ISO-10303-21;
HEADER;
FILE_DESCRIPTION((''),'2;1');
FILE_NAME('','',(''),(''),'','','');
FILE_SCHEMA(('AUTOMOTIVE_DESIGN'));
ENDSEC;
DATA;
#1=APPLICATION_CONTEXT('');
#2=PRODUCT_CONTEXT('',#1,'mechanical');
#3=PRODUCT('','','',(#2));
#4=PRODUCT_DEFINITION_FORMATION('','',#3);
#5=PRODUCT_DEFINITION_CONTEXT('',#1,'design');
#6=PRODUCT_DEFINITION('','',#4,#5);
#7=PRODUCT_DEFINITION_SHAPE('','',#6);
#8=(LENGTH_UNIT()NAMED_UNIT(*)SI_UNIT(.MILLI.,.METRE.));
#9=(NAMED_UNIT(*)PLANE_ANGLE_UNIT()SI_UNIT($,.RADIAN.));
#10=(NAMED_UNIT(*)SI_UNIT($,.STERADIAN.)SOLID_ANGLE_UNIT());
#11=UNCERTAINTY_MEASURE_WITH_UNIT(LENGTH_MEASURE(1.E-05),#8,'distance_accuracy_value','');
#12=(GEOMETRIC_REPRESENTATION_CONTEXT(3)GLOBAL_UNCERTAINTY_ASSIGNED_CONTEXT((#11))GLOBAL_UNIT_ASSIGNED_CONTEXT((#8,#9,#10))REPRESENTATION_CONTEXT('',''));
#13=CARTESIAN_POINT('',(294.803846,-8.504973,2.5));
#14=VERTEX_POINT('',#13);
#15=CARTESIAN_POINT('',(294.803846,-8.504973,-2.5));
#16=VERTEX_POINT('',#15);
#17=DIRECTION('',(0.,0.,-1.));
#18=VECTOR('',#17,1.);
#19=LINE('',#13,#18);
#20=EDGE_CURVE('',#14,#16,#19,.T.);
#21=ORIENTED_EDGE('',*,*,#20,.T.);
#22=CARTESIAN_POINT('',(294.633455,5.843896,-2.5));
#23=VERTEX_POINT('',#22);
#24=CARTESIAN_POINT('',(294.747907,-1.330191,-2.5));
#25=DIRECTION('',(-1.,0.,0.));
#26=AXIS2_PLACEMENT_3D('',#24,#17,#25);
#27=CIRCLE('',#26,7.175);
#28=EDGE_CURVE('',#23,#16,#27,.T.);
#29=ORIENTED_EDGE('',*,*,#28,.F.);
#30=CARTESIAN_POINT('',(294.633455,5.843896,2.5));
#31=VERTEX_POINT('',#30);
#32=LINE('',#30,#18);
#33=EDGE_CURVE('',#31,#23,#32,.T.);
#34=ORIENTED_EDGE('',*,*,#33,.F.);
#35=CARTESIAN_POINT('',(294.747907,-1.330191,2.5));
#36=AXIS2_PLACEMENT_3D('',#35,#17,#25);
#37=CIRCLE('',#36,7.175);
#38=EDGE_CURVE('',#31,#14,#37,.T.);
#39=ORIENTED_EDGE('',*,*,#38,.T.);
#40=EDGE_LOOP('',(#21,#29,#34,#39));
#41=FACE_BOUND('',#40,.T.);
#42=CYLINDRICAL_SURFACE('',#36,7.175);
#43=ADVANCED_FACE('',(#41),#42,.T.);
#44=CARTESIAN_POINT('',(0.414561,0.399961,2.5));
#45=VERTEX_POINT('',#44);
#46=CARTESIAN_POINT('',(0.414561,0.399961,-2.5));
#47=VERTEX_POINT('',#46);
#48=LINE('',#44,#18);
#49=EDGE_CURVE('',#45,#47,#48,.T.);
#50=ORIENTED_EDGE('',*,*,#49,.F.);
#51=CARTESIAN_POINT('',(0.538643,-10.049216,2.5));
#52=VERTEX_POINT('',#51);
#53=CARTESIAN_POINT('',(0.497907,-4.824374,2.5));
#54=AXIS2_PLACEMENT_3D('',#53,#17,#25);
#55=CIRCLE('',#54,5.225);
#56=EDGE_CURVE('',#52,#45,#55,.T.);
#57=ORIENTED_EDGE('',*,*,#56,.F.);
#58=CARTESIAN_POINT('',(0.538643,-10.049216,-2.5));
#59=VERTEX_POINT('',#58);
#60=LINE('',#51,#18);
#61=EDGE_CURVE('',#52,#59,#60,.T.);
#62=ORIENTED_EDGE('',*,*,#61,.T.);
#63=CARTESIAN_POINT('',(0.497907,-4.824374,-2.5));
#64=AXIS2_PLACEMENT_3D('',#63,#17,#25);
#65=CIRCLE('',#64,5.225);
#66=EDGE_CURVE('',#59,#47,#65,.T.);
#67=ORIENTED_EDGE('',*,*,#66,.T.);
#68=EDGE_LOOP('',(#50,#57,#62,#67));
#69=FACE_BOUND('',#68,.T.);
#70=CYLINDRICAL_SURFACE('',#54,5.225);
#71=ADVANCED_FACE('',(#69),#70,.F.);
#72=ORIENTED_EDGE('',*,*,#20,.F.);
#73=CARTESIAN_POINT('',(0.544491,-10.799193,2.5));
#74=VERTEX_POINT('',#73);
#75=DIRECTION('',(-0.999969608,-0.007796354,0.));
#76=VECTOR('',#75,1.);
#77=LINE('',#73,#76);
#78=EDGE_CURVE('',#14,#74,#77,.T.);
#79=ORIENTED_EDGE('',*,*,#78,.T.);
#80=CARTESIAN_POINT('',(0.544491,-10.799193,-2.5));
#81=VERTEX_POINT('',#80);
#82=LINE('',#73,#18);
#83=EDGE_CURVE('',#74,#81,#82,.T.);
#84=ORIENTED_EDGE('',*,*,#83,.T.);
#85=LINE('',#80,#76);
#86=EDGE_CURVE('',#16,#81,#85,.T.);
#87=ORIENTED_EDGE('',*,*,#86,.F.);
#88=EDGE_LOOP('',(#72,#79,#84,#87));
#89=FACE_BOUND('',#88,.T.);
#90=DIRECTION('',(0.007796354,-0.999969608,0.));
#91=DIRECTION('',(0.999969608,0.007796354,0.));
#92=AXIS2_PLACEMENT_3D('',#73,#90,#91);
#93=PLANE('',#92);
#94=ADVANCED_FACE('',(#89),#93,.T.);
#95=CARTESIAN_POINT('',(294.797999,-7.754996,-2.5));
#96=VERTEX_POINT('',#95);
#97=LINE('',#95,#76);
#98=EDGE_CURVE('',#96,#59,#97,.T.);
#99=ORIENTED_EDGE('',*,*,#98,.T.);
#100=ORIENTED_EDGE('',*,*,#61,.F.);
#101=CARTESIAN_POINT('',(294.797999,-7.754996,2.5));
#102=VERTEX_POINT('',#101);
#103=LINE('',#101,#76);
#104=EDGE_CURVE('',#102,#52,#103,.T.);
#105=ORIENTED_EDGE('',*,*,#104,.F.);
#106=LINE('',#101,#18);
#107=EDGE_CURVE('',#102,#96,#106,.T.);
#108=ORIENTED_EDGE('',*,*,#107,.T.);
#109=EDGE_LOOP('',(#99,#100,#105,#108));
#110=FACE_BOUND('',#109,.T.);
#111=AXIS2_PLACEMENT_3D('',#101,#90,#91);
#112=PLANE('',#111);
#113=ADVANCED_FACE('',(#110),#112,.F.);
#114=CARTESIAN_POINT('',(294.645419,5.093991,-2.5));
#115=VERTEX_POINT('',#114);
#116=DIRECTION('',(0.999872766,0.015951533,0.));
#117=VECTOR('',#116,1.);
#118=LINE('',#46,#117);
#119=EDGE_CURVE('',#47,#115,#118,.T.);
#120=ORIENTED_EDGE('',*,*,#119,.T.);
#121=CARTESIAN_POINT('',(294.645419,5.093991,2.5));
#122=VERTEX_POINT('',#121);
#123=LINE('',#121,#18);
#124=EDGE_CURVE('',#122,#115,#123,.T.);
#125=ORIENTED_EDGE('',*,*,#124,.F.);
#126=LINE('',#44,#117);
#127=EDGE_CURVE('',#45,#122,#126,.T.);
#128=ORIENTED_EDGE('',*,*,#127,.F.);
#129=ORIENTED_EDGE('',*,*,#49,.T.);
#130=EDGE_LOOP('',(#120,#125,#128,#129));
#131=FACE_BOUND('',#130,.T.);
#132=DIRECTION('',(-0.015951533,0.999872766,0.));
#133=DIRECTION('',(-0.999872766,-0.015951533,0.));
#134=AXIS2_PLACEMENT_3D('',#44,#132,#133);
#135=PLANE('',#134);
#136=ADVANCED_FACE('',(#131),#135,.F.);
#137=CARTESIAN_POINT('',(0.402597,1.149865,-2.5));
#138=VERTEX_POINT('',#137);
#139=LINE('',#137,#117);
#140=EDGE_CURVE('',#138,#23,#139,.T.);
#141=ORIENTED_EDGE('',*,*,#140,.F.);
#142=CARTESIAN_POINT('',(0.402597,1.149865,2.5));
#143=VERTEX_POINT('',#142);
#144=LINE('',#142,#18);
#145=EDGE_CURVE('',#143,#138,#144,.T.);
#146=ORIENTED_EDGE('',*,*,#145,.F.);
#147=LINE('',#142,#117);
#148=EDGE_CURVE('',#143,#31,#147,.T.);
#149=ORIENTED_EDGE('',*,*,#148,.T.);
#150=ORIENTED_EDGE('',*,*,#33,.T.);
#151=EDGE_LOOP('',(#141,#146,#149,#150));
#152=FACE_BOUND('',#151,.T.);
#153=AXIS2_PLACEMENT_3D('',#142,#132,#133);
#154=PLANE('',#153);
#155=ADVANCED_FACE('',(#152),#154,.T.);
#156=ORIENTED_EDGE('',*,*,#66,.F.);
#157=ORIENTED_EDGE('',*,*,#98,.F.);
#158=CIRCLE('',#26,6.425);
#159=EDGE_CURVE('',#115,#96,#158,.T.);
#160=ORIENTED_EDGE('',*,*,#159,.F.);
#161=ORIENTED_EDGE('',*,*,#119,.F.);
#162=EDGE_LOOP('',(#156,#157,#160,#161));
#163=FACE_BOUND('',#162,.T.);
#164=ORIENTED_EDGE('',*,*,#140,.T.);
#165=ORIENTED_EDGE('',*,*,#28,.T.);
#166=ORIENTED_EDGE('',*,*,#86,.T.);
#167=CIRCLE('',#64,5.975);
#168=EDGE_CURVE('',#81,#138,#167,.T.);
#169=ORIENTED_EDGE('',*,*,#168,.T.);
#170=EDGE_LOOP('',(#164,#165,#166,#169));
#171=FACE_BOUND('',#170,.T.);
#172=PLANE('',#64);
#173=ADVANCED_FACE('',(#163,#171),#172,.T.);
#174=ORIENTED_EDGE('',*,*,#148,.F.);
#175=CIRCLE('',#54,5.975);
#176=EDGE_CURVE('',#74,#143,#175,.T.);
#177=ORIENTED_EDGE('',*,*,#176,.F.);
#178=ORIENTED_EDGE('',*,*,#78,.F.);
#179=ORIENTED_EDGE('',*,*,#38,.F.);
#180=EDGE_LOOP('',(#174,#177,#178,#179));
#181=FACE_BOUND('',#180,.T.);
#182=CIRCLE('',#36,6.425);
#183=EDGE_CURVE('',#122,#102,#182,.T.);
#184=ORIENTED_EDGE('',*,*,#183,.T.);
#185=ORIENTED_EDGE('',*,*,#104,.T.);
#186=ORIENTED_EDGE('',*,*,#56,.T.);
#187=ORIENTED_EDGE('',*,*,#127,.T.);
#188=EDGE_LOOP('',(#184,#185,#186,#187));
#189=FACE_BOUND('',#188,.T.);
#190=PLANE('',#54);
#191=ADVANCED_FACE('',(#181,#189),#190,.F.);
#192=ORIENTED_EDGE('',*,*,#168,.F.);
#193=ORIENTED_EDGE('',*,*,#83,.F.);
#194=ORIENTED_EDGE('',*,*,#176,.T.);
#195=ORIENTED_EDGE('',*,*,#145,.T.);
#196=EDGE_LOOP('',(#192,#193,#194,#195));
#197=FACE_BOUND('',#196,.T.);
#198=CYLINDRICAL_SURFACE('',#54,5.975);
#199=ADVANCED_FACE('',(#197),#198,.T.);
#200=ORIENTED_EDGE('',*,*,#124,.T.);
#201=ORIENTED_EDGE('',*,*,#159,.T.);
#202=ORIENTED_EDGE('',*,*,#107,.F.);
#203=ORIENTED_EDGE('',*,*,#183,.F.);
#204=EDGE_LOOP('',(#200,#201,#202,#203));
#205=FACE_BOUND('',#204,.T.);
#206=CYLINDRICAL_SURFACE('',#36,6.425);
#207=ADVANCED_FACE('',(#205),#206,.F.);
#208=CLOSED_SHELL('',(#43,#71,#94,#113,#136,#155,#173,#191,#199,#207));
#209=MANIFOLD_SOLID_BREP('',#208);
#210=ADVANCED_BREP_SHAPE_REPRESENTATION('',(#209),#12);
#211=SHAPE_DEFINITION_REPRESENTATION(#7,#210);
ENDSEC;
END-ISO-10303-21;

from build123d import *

# Parameters (mm, degrees)
EXTRUDE_THIN1_DEPTH = 2.5


with BuildPart() as part:
    # Sketch2 → Extrude-Thin1 (new, symmetric)
    with BuildSketch(Plane.XY):
        with BuildLine():
            Line((294.803846305, -8.504973019), (0.54449068, -10.799192787))
            ThreePointArc((0.54449068, -10.799192787), (-5.476671302, -4.895321783), (0.402597054, 1.149865398))
            Line((0.402597054, 1.149865398), (294.633455214, 5.843896016))
            ThreePointArc((294.633455214, 5.843896016), (301.922401637, -1.244994828), (294.803846305, -8.504973019))
        make_face()
        with BuildLine():
            Line((294.79799904, -7.754995813), (0.538643415, -10.049215581))
            ThreePointArc((0.538643415, -10.049215581), (-4.726724177, -4.886416251), (0.414560704, 0.399960824))
            Line((0.414560704, 0.399960824), (294.645418864, 5.093991441))
            ThreePointArc((294.645418864, 5.093991441), (301.172454511, -1.25390036), (294.79799904, -7.754995813))
        make_face(mode=Mode.SUBTRACT)
    extrude(amount=EXTRUDE_THIN1_DEPTH, both=True)


solid = part.part
